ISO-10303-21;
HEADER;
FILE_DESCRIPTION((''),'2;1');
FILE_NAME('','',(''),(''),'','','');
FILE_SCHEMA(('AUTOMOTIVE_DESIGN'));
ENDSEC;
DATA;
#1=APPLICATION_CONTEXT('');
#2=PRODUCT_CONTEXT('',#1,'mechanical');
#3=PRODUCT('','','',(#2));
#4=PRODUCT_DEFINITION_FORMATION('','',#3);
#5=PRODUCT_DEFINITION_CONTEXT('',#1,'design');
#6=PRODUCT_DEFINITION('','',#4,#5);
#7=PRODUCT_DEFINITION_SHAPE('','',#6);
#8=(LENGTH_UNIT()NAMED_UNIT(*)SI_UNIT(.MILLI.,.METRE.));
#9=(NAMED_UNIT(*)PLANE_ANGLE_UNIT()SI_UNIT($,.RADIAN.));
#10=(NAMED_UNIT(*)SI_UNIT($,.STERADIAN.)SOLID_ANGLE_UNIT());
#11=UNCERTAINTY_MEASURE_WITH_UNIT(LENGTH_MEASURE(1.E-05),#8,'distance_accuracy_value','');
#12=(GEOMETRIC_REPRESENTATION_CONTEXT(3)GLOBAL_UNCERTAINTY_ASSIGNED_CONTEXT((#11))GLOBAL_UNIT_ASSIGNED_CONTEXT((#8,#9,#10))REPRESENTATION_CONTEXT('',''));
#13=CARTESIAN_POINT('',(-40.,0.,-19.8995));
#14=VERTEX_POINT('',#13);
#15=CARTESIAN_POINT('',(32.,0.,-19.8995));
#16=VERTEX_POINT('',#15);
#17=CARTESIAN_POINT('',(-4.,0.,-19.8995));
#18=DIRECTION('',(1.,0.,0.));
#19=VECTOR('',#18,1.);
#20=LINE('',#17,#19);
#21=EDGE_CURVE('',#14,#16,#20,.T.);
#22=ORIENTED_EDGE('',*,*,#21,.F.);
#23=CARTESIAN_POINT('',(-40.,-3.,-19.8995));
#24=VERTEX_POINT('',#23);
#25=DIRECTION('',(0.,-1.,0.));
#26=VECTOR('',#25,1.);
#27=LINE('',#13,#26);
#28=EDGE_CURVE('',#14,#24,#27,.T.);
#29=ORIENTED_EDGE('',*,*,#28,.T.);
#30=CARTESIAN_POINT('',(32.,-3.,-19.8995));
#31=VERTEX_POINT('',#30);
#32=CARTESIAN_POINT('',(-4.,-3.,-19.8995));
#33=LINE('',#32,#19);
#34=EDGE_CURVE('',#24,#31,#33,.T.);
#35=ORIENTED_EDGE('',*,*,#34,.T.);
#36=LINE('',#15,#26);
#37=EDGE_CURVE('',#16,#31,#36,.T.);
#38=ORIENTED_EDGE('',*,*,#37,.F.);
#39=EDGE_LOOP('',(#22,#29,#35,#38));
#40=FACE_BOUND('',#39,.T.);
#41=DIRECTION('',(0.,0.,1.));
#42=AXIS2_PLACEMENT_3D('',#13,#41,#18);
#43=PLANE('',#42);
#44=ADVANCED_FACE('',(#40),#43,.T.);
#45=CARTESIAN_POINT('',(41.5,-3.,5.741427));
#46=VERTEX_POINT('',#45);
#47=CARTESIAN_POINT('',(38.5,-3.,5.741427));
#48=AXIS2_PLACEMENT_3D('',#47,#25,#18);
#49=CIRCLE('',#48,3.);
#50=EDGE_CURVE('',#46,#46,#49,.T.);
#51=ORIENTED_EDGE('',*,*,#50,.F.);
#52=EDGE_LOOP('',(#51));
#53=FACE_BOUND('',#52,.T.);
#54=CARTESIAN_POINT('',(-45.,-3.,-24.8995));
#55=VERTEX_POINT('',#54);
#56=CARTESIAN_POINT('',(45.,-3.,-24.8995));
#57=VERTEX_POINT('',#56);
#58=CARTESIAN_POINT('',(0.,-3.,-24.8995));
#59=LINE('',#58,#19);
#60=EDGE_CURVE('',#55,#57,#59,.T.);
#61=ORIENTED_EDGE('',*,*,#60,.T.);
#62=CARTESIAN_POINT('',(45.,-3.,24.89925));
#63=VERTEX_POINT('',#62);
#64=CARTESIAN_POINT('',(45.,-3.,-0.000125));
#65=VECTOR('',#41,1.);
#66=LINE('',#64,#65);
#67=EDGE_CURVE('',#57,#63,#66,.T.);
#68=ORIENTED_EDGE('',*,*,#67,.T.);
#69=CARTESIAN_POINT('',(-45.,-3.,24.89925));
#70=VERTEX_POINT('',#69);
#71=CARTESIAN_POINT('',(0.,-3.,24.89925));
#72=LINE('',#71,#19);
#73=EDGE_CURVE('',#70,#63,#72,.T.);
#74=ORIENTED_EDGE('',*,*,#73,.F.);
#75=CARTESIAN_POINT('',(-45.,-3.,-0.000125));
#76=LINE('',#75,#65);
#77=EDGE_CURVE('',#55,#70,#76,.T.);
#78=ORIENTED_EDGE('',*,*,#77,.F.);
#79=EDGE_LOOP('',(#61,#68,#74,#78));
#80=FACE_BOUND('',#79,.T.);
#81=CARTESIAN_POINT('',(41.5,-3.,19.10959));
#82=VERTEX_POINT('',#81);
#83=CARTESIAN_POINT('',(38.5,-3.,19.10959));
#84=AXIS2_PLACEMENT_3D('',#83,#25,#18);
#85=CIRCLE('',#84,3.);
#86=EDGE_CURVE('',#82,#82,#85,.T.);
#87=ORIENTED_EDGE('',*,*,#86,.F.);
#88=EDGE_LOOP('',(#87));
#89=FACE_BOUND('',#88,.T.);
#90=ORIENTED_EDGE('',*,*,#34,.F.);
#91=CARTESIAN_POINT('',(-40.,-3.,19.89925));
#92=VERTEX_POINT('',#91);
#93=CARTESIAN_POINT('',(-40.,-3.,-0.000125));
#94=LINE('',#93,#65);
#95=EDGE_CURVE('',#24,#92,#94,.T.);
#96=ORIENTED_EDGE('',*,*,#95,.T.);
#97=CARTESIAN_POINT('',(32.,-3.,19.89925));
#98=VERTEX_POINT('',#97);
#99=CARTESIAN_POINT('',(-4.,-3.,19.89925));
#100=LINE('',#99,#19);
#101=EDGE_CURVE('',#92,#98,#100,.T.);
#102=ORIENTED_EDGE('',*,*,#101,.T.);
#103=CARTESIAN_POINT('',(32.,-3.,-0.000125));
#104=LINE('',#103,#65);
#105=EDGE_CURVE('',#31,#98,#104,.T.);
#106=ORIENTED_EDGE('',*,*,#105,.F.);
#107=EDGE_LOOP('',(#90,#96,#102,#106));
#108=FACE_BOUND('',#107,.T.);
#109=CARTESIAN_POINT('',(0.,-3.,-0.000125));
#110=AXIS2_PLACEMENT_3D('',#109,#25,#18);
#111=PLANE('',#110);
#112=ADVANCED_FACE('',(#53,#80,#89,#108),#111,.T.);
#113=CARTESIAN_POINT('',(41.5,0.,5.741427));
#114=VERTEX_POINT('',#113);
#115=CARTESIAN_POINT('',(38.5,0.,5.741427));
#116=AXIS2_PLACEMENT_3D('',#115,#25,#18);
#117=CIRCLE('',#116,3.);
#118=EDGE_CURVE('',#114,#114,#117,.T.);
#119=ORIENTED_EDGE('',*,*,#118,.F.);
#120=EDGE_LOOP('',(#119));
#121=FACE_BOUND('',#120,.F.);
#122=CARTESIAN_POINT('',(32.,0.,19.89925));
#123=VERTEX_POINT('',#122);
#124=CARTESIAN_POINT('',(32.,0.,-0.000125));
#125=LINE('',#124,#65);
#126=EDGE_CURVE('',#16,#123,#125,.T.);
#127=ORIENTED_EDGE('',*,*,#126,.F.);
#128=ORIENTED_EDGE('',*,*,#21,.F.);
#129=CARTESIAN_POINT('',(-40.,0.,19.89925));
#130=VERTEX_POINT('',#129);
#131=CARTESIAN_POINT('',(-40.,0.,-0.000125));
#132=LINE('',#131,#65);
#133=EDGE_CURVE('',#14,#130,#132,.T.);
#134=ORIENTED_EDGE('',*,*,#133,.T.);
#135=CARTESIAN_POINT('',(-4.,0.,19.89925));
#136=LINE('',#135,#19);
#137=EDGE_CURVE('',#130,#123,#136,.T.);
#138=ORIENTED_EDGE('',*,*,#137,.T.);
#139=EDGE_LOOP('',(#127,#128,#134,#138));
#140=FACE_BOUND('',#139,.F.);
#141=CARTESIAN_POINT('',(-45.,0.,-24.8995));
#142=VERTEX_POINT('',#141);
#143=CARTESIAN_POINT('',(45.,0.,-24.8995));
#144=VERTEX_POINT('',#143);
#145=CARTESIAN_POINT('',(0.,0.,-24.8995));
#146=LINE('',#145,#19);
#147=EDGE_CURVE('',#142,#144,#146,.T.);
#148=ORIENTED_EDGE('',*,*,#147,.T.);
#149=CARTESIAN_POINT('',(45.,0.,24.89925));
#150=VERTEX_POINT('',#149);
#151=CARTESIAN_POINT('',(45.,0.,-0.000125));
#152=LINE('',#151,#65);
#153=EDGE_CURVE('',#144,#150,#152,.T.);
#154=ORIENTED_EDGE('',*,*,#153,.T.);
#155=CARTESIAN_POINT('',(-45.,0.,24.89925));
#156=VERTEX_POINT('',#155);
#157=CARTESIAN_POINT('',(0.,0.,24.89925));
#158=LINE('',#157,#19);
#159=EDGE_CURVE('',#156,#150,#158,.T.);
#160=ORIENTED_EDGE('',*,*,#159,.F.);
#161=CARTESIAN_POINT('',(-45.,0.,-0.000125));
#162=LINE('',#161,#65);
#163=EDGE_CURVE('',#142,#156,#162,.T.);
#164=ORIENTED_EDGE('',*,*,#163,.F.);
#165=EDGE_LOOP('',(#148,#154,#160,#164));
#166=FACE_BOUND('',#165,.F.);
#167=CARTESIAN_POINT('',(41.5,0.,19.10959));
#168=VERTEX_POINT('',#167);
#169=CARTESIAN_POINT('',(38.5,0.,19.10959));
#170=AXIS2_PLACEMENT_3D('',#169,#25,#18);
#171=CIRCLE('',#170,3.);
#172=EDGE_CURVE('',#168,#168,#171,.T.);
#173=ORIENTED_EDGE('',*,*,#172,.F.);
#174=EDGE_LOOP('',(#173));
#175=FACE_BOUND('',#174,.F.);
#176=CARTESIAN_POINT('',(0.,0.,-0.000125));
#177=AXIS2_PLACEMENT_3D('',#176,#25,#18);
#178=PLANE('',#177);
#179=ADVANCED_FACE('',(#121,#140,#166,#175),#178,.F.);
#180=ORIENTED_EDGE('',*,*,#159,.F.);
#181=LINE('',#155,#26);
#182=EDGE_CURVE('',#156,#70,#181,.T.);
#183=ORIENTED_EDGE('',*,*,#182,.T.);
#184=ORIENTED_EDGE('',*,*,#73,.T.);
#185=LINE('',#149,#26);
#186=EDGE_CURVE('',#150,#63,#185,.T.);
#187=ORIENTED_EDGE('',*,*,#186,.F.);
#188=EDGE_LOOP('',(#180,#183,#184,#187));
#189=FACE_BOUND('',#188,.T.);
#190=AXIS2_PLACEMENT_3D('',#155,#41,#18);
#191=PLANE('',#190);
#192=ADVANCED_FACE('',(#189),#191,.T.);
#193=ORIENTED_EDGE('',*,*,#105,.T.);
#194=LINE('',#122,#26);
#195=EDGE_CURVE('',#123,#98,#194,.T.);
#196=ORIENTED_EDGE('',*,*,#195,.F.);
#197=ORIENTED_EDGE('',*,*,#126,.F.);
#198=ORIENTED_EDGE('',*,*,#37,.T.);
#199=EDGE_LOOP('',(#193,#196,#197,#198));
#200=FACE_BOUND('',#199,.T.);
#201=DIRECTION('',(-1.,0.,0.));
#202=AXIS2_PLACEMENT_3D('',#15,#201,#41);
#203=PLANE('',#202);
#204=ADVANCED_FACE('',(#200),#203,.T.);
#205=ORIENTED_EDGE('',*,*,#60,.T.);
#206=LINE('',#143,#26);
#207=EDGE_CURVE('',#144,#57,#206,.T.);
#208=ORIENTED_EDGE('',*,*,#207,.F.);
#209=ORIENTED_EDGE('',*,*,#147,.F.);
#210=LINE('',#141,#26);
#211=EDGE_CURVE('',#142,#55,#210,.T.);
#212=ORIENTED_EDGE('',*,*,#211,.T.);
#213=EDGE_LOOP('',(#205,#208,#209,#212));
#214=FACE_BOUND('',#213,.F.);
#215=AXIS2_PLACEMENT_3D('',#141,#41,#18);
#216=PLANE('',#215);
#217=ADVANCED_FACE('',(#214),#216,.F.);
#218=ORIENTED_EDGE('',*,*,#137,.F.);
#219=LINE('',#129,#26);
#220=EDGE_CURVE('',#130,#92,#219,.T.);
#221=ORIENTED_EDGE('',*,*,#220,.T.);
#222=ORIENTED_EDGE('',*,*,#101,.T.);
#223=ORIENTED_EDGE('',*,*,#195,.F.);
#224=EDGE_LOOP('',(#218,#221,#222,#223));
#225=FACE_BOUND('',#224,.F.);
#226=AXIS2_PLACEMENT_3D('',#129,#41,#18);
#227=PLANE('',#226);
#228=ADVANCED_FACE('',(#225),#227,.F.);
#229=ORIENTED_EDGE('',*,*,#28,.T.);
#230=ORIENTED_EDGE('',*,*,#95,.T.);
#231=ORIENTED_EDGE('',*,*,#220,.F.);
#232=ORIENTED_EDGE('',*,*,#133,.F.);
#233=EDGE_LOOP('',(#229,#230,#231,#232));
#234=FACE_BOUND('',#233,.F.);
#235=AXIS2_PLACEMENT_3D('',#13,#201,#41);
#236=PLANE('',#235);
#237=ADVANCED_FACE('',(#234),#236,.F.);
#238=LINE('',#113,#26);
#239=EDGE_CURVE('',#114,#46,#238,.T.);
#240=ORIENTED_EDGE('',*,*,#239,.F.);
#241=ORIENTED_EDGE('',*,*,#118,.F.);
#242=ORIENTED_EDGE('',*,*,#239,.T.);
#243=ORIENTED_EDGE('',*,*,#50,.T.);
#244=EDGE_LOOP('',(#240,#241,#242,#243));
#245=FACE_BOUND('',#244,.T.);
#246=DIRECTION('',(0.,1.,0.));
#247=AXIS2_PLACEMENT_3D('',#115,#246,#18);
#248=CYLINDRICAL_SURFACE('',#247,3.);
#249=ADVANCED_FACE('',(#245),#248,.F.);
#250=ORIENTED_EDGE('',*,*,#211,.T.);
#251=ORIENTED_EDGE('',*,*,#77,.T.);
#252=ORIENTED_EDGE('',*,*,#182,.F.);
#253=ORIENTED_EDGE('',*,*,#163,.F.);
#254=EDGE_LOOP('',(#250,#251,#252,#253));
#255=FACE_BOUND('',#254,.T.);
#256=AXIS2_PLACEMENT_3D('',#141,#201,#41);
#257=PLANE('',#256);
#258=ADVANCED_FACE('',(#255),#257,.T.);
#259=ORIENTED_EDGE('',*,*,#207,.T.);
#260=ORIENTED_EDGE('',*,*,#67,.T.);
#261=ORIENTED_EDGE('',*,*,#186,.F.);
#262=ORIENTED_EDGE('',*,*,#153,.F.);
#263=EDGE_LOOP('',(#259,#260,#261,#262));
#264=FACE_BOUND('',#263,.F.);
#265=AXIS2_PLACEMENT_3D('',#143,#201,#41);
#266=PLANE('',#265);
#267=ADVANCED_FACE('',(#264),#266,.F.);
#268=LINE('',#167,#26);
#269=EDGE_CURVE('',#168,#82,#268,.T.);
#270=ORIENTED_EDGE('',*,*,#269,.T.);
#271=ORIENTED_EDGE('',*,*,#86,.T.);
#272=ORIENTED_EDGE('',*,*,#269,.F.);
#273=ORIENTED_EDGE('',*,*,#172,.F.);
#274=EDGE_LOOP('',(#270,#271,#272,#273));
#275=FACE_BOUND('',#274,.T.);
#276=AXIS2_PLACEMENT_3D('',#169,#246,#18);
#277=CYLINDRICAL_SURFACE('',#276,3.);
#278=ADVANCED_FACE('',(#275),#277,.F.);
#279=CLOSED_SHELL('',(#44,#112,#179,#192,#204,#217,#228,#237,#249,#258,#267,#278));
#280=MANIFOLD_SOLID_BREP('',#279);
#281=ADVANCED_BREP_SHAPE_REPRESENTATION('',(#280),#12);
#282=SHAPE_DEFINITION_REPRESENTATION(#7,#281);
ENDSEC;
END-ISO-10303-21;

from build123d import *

# Parameters (mm, degrees)
F0_W     = 90
F0_H     = 49.79875
F0_W_2   = 72
F0_H_2   = 39.79875
F0_R     = 3
F1_DEPTH = 3


with BuildPart() as f1:
    # F0 (on Front) → F1 (new body)
    with BuildSketch(Plane.XZ):
        with Locations((0, -0.000125)):
            Rectangle(F0_W, F0_H)
        with Locations((-4, -0.000125)):
            Rectangle(F0_W_2, F0_H_2, mode=Mode.SUBTRACT)
        with Locations((38.5, 5.741427)):
            Circle(F0_R, mode=Mode.SUBTRACT)
        with Locations((38.5, 19.10959)):
            Circle(F0_R, mode=Mode.SUBTRACT)
    extrude(amount=F1_DEPTH)


solid = f1.part
